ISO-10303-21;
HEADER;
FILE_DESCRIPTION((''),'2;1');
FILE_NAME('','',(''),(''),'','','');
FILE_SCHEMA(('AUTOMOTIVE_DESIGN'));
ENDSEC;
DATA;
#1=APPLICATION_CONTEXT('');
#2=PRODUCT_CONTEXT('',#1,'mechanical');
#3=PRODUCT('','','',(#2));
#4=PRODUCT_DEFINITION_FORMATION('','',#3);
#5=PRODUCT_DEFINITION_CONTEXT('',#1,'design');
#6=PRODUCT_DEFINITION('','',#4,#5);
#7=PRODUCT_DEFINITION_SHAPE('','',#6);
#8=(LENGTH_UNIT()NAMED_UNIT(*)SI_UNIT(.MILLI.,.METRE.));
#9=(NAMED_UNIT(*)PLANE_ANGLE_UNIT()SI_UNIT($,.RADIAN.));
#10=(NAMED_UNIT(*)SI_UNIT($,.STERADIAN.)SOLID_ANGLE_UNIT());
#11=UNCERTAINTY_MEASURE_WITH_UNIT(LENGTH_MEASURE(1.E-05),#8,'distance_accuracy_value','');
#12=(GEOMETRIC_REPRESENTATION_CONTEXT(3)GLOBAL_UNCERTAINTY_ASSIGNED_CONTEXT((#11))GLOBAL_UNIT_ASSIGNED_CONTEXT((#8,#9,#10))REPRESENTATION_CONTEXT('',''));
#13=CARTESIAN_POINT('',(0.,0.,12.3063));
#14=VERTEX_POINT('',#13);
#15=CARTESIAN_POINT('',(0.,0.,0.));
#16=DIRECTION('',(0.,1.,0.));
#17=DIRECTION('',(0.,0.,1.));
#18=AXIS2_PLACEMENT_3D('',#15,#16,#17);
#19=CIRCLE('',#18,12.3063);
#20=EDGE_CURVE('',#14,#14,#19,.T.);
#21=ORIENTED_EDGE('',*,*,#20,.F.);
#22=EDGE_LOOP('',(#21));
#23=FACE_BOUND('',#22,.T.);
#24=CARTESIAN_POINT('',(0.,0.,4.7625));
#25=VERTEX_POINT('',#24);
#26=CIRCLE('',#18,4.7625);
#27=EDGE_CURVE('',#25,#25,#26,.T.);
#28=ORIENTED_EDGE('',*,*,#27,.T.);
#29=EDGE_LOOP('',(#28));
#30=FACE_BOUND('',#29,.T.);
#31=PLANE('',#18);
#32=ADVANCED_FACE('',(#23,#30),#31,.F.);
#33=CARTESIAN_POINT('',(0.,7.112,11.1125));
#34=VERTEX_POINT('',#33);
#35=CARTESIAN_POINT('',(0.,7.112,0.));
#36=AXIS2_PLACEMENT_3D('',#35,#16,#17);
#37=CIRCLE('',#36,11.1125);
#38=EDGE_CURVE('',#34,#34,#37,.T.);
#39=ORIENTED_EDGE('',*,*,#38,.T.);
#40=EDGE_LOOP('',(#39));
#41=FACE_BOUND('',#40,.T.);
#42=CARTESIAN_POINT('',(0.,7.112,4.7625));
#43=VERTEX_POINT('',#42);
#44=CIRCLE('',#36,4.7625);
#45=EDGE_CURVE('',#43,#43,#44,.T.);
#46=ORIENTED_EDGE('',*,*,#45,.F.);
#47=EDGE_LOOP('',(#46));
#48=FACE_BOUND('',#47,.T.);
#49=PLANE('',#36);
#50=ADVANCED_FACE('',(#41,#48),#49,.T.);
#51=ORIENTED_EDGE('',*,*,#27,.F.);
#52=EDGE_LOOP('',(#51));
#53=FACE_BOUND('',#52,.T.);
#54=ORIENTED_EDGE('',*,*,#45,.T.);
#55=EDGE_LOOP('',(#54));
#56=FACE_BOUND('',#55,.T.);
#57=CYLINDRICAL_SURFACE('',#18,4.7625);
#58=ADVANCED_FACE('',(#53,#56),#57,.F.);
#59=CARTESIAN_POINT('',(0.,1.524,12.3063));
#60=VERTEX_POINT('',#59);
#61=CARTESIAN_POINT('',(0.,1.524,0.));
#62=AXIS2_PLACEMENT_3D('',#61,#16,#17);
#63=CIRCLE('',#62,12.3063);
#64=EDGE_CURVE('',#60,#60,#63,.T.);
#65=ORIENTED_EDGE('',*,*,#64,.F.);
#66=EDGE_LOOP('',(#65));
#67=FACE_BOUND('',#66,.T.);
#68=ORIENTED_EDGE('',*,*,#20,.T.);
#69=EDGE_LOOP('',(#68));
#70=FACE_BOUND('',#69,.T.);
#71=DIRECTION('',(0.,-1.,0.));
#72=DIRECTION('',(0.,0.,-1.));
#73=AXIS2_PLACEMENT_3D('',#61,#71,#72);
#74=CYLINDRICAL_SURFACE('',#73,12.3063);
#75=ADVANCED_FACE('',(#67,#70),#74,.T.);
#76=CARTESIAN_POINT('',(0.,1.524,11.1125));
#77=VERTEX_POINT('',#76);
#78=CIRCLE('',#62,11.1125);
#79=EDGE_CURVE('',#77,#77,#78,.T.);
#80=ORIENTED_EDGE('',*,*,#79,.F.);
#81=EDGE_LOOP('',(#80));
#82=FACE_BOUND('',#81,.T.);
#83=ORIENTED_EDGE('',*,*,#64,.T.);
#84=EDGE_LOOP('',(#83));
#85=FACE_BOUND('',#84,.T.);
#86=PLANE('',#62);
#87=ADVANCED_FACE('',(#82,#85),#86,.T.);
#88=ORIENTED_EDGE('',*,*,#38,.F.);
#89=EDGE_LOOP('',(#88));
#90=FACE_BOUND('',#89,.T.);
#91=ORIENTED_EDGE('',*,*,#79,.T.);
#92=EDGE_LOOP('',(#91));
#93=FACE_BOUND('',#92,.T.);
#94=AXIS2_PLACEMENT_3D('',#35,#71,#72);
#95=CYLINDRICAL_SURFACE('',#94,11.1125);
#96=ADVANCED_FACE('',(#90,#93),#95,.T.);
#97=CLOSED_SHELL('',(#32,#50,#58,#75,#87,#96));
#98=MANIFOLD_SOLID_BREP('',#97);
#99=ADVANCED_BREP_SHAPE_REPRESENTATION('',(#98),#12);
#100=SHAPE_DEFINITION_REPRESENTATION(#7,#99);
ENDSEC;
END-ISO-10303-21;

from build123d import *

# Parameters (mm, degrees)
SKETCH_1_R          = 12.3063
EXTRUDE_1_DEPTH     = 1.524
SKETCH_2_R          = 11.1125
EXTRUDE_2_DEPTH     = 5.588
SKETCH_3_R          = 4.7625
CUT_EXTRUDE_1_DEPTH = 8.112


with BuildPart() as part:
    # 草圖1 → 填料-伸長1 (new body)
    with BuildSketch(Plane(origin=(0, 0, 0), x_dir=(1, 0, 0), z_dir=(0, 1, 0))):
        Circle(SKETCH_1_R)
    extrude(amount=EXTRUDE_1_DEPTH)

    # 草圖2 → 填料-伸長2 (add)
    with BuildSketch(Plane(origin=(0, 1.524, 0), x_dir=(1, 0, 0), z_dir=(0, 1, 0))):
        Circle(SKETCH_2_R)
    extrude(amount=EXTRUDE_2_DEPTH)

    # 草圖3 → 除料-伸長1 (cut, through all)
    with BuildSketch(Plane(origin=(0, 7.112, 0), x_dir=(1, 0, 0), z_dir=(0, 1, 0))):
        Circle(SKETCH_3_R)
    extrude(amount=-CUT_EXTRUDE_1_DEPTH, mode=Mode.SUBTRACT)


solid = part.part
